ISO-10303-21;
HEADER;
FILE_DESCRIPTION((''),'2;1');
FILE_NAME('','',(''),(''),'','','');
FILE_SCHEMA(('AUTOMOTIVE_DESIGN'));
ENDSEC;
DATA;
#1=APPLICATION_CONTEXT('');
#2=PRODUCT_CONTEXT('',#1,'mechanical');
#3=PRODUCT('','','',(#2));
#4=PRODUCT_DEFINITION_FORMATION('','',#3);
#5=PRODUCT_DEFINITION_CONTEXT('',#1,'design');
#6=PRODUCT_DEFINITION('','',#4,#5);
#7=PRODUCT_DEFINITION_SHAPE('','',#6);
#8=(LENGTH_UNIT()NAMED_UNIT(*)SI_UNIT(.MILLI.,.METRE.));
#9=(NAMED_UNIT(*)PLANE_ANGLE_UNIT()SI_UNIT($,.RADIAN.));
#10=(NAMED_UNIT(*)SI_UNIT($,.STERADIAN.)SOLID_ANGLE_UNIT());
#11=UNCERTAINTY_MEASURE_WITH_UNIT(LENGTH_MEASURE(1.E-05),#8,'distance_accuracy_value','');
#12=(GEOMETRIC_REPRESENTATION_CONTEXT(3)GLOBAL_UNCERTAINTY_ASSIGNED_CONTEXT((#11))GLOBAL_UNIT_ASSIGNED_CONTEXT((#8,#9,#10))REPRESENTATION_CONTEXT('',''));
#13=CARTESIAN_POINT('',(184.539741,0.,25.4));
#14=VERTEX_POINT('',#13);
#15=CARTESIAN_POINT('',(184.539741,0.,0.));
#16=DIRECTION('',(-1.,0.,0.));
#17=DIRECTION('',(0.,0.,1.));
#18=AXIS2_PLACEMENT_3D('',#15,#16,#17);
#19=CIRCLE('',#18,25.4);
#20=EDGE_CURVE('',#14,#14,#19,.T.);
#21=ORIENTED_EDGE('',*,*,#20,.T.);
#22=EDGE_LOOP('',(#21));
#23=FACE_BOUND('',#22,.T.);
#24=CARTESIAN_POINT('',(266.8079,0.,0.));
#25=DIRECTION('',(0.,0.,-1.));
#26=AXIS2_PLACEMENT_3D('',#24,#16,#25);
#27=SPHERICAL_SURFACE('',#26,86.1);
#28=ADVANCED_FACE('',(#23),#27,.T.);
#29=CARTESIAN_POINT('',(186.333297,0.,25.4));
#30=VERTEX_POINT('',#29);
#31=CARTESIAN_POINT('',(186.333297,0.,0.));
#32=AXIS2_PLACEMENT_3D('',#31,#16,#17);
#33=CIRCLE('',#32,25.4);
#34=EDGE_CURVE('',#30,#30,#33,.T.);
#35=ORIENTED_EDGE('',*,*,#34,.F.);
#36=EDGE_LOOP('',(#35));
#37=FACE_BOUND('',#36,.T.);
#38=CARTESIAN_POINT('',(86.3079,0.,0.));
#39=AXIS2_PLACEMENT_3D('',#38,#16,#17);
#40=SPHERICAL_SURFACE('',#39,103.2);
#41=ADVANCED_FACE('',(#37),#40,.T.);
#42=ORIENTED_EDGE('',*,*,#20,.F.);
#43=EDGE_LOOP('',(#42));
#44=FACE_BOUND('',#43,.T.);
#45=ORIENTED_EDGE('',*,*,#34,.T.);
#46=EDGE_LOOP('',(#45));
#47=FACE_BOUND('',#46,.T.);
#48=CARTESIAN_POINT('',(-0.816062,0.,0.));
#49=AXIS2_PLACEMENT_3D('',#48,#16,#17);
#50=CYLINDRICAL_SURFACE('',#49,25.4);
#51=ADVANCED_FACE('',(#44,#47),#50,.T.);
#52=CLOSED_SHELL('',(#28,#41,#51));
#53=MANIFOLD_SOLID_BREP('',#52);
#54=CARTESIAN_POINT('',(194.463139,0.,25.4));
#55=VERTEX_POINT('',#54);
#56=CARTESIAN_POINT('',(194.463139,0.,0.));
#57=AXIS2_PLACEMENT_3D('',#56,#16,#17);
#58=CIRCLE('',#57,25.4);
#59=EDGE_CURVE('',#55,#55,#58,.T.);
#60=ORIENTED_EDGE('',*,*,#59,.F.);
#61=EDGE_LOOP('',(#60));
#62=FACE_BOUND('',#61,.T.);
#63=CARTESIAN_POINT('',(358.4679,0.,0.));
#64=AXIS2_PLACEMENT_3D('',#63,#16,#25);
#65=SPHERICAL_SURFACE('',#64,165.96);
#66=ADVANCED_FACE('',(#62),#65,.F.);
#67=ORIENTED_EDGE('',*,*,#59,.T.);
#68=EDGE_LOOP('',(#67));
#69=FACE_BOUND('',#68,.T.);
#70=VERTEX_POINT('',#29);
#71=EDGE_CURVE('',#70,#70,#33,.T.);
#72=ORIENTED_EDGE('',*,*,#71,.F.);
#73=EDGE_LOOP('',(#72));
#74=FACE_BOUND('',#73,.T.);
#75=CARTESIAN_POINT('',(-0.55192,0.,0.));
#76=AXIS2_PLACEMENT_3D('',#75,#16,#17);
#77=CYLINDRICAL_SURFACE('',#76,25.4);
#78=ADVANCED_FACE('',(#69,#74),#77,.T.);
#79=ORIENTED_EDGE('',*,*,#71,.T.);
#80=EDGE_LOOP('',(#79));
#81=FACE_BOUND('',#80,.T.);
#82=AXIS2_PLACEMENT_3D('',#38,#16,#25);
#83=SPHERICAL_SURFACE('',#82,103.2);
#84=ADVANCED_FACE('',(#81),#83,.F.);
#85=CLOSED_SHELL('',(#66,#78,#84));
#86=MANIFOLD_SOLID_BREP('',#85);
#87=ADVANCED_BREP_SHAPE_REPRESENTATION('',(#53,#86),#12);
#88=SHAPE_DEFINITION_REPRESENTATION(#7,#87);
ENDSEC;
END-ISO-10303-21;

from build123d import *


with BuildPart() as part:
    # 草图1 one side → 旋转1 (revolve)
    with BuildSketch(Plane(origin=(0, 0, 0), x_dir=(1, 0, 0), z_dir=(0, 1, 0)), mode=Mode.PRIVATE) as revolve_1_sk:
        with BuildLine():
            ThreePointArc((184.539741179, 25.4), (181.671249825, 12.84370473), (180.707900269, 0))
            Line((180.707900269, 0), (189.507900269, 0))
            ThreePointArc((189.507900269, 0), (188.711174013, 12.79880957), (186.333297044, 25.4))
            Line((186.333297044, 25.4), (184.539741179, 25.4))
        make_face()
    revolve(revolve_1_sk.sketch.rotate(Axis((-0.816062176, 0, 0), (1, 0, 0)), 180), axis=Axis((-0.816062176, 0, 0), (1, 0, 0)))  # turned: the seam where the file's is


with BuildPart() as body_2:
    # 草图2 one side → 旋转2 (revolve)
    with BuildSketch(Plane(origin=(0, 0, 0), x_dir=(1, 0, 0), z_dir=(0, 1, 0))):
        with BuildLine():
            Line((194.463139362, 25.4), (186.333297044, 25.4))
            ThreePointArc((186.333297044, 25.4), (188.711174013, 12.79880957), (189.507900269, 0))
            Line((189.507900269, 0), (192.507900269, 0))
            ThreePointArc((192.507900269, 0), (192.997432027, 12.737571981), (194.463139362, 25.4))
        make_face()
    revolve(axis=Axis((-0.551919993, 0, 0), (1, 0, 0)))


solid = Compound([part.part, body_2.part])
